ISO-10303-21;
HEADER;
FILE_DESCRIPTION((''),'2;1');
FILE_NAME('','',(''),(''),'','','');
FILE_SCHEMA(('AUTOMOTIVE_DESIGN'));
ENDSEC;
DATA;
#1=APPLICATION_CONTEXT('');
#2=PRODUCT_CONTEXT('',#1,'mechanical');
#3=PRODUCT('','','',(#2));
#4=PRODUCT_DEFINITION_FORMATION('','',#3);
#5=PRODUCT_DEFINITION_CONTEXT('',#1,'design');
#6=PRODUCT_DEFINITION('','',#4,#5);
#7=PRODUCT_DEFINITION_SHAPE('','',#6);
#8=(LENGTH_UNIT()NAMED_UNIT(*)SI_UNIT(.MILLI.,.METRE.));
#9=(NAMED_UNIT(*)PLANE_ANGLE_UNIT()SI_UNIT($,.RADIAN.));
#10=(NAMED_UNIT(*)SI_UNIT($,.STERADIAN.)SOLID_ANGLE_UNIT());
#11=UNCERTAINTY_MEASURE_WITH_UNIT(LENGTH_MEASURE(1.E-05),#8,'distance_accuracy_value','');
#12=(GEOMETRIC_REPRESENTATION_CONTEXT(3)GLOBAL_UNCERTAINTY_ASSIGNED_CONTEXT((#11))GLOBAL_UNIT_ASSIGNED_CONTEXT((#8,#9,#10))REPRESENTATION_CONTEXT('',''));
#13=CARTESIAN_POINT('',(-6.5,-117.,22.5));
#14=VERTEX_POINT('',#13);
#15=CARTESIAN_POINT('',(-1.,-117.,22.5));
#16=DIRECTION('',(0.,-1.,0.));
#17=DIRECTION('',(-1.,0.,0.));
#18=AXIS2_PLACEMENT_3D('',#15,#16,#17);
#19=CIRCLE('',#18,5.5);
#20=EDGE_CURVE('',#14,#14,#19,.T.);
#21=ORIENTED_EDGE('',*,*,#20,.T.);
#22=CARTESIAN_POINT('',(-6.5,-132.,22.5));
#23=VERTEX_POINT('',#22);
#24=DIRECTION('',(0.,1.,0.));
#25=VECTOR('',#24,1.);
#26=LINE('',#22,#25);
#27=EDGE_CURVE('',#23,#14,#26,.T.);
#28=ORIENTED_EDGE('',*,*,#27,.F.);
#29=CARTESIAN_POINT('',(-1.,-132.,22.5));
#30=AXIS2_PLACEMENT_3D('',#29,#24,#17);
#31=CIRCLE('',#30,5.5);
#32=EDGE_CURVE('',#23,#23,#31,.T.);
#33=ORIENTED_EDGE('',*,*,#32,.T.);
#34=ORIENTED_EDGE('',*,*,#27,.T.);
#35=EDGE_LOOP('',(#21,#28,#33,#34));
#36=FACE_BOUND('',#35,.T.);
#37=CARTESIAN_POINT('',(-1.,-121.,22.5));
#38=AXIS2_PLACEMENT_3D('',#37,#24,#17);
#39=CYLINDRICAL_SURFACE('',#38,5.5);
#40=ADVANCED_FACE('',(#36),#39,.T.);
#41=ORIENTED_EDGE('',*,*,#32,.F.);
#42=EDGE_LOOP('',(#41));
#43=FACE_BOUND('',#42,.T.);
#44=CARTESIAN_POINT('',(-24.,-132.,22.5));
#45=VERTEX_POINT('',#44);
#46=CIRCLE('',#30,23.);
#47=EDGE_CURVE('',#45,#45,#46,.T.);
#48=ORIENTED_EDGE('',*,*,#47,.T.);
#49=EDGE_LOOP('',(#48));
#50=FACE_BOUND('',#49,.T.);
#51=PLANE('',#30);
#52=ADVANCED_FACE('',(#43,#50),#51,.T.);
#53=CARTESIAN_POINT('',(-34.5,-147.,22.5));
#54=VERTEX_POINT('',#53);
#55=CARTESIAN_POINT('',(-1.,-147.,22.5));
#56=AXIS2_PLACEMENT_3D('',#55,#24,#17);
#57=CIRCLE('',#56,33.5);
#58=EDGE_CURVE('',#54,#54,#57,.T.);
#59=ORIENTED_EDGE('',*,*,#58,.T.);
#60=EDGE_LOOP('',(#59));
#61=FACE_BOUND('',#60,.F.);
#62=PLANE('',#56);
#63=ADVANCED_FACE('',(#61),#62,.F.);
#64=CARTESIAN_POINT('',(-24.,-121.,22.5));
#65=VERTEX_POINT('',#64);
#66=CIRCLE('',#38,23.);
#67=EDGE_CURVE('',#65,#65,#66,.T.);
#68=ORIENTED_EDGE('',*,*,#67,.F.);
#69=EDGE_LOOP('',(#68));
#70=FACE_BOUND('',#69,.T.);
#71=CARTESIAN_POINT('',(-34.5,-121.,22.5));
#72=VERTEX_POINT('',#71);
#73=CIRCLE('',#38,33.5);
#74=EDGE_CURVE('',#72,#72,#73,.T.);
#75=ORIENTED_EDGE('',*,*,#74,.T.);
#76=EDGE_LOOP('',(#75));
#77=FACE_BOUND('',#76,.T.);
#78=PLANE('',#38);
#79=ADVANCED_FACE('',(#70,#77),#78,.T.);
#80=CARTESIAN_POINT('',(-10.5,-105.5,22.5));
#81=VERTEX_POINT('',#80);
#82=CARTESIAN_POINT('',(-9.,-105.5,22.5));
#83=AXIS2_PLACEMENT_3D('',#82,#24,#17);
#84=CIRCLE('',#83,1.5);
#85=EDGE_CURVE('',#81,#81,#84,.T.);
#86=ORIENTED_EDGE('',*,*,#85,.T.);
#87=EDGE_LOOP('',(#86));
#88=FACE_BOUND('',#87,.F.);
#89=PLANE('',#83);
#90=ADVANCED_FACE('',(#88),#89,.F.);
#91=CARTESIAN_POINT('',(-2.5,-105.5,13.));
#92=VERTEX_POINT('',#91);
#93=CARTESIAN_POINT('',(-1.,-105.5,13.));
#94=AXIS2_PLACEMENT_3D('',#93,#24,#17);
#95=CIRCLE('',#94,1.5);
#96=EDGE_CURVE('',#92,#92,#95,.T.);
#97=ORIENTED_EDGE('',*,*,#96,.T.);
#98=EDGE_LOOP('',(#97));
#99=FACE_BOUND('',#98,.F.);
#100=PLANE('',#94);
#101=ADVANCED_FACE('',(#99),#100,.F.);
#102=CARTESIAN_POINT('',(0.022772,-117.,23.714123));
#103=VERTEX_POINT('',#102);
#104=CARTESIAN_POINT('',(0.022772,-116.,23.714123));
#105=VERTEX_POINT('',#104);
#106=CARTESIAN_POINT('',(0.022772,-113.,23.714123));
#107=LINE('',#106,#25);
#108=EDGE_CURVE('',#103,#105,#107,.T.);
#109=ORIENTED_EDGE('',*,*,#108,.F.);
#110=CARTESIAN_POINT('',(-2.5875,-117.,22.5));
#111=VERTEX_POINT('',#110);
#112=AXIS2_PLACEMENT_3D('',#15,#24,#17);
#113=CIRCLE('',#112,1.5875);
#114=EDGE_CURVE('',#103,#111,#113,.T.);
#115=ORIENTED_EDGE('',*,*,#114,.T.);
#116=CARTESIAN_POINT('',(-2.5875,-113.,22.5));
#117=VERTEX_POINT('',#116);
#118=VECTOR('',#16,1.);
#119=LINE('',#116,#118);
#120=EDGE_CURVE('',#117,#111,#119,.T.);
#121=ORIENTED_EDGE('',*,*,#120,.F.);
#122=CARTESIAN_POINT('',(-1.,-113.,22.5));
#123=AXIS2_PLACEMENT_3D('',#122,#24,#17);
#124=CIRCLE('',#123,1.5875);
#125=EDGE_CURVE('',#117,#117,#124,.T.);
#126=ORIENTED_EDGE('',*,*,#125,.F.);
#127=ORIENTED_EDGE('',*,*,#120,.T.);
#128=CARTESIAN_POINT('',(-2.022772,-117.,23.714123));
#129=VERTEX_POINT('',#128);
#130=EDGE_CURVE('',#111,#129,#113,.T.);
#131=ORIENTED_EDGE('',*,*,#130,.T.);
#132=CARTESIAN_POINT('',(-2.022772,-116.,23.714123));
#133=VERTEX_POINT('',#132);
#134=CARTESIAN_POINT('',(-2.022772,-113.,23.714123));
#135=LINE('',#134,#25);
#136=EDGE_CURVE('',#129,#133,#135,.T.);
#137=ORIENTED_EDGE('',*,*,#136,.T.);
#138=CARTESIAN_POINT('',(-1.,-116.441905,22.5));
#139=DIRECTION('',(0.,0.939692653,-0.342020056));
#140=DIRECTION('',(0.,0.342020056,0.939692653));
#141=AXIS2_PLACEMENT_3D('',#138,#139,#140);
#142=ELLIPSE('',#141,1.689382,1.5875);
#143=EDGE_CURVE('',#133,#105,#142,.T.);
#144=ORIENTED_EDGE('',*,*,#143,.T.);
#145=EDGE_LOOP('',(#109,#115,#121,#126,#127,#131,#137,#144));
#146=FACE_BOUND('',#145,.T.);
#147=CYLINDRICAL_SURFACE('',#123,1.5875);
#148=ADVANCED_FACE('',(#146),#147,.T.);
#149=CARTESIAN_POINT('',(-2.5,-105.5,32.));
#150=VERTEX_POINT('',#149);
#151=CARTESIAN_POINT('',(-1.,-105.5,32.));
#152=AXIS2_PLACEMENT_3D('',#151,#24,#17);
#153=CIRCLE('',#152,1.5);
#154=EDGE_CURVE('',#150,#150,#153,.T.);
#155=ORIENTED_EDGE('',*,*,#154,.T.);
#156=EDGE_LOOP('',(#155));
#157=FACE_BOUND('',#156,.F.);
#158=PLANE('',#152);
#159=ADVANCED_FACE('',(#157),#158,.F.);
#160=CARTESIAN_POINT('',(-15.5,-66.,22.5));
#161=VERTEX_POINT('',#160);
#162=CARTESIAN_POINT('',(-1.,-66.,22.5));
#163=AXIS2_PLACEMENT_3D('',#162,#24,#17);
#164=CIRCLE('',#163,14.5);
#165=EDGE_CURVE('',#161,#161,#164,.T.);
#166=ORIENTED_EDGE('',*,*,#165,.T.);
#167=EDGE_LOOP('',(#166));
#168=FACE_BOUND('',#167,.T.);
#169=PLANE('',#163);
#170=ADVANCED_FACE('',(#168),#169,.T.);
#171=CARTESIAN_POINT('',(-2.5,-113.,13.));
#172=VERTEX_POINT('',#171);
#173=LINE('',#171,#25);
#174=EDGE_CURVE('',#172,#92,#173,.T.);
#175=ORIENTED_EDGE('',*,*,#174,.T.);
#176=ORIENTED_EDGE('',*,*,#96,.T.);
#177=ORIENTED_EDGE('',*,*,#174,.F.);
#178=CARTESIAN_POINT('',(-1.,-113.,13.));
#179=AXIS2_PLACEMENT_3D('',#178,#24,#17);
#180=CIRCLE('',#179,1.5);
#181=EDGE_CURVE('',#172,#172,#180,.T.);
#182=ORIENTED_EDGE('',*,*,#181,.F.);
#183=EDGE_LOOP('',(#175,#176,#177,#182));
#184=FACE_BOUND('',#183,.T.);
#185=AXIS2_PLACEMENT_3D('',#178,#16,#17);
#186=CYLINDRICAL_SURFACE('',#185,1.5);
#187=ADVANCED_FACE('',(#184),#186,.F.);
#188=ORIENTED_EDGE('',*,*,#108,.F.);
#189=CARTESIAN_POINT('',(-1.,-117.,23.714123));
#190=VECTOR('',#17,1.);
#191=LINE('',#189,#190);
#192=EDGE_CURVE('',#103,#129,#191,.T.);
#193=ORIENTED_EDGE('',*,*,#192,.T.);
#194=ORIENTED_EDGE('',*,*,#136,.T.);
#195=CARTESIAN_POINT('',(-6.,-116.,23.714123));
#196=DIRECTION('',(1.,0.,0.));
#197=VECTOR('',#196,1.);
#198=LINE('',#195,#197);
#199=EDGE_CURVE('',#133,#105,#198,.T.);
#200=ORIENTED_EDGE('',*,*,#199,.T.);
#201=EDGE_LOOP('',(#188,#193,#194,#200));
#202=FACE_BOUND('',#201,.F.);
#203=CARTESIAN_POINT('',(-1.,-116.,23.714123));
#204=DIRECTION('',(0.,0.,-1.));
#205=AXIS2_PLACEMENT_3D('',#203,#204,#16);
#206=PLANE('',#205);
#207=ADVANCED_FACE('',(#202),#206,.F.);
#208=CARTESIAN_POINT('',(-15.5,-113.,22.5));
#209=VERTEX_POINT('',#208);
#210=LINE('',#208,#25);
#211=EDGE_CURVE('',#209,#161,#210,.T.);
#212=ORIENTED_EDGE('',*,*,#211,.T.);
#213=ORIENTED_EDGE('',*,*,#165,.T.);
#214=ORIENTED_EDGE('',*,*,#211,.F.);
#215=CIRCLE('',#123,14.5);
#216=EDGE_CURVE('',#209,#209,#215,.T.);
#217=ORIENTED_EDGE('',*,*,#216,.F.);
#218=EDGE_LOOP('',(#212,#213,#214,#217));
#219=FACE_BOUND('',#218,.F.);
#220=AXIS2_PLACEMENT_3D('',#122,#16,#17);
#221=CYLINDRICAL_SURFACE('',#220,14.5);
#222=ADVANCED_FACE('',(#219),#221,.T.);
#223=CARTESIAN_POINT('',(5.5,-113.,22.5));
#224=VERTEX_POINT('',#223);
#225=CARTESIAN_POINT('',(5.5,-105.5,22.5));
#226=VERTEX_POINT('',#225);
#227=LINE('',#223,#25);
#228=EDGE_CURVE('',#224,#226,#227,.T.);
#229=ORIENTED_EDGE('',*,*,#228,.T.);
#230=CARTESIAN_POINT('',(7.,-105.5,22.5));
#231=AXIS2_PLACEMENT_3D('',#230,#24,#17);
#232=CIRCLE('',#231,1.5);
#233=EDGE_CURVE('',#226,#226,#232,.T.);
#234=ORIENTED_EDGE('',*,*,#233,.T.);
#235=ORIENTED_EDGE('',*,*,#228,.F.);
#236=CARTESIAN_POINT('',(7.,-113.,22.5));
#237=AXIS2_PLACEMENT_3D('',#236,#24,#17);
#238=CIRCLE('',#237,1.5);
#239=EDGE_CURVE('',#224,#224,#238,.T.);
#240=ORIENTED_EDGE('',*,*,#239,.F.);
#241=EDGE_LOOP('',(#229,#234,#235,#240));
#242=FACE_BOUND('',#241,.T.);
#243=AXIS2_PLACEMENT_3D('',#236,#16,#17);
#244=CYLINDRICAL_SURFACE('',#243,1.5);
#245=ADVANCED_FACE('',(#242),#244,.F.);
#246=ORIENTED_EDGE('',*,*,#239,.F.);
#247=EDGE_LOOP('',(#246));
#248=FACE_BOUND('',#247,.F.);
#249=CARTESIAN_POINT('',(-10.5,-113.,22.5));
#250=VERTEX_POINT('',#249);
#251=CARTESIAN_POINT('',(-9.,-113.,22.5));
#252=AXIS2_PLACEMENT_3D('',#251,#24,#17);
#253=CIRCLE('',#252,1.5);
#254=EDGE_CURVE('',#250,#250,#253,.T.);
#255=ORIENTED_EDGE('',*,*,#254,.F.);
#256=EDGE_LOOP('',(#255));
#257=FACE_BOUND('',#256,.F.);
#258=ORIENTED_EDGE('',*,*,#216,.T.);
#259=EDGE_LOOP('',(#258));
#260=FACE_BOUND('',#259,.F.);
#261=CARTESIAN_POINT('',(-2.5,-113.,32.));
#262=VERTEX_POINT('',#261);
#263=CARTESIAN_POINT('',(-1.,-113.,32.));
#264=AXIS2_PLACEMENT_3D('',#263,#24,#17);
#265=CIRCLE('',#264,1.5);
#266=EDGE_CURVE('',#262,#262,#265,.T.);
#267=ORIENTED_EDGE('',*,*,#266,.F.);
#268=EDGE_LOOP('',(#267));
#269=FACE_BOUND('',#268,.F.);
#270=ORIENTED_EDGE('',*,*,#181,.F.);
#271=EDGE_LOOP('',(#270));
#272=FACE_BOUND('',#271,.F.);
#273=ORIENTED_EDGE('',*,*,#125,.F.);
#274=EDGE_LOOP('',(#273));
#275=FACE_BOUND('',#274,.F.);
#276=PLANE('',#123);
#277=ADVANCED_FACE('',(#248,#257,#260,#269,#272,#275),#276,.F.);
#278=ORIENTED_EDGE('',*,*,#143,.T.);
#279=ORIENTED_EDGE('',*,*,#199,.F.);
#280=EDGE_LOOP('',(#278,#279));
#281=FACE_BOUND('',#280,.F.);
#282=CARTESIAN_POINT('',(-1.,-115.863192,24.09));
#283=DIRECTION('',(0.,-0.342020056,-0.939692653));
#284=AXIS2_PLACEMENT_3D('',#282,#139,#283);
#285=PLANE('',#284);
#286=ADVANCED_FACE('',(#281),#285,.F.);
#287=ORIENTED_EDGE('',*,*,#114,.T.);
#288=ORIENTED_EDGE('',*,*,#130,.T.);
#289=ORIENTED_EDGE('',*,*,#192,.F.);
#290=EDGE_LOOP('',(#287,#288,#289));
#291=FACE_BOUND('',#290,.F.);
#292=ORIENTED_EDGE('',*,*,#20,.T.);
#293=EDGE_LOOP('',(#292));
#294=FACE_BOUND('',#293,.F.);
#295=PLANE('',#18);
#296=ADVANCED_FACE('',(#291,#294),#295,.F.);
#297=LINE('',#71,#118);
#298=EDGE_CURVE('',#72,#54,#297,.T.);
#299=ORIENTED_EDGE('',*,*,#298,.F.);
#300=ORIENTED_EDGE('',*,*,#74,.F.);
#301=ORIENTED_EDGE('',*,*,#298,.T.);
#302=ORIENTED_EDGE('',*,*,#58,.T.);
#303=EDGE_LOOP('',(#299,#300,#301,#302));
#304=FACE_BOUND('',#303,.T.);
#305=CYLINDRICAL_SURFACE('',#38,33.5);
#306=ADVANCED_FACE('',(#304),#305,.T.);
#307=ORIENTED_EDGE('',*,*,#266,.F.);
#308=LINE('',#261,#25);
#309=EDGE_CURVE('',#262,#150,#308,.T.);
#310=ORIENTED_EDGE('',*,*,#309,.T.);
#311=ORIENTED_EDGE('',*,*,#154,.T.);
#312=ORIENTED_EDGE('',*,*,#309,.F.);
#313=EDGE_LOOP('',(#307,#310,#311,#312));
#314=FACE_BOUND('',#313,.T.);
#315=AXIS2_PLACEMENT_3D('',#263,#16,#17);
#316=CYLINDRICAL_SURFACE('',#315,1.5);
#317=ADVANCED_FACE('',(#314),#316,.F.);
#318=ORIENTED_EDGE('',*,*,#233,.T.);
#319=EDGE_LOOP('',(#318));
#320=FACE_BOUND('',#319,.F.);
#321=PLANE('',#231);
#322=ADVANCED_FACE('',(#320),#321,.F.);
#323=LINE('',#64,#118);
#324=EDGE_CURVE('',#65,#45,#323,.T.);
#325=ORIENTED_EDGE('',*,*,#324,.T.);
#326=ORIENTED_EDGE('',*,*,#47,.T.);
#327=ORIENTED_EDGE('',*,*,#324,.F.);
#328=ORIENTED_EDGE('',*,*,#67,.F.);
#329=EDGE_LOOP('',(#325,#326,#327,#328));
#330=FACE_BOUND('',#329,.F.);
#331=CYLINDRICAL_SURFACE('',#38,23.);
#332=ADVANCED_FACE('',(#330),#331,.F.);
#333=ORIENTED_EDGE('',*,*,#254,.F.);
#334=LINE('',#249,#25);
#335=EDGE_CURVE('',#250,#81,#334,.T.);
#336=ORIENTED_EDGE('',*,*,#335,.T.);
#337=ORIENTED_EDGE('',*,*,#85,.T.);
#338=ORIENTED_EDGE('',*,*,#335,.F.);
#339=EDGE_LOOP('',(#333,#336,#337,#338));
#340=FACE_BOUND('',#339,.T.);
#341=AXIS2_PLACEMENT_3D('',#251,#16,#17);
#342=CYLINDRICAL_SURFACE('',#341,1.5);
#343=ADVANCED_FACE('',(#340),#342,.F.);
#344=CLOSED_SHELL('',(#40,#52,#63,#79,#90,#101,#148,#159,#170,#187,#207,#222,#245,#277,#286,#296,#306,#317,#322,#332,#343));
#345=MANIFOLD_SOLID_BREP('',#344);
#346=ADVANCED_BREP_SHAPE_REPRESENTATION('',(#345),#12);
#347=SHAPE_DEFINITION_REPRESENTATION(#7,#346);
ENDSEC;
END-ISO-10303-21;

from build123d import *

# Parameters (mm, degrees)
SKETCH030_R             = 14.5
PAD018_DEPTH            = 47
SKETCH031_R             = 1.5875
PAD019_DEPTH            = 15
POCKET012_DEPTH         = 5
SKETCH033_R             = 5.5
PAD020_DEPTH            = 11
SKETCH034_R             = 33.5
PAD021_DEPTH            = 26
SKETCH035_R             = 1.5
POCKET013_DEPTH         = 7.5
SKETCH036_R             = 23
SKETCH036_R_2           = 5.5
POCKET014_DEPTH         = 11
BODY010_PLACEMENT_ANGLE = 180


with BuildPart() as part:
    # Sketch030 → Pad018 (new body)
    with BuildSketch(Plane.XZ):
        Circle(SKETCH030_R)
    extrude(amount=PAD018_DEPTH)

    # Sketch031 → Pad019 (join)
    with BuildSketch(Plane.XZ):
        Circle(SKETCH031_R)
    extrude(amount=-PAD019_DEPTH)

    # Sketch032 → Pocket012 (cut, symmetric)
    with BuildSketch(Plane.YZ):
        Polygon((3, 1.214123), (15, 1.214123), (15, 1.59), (2.863192, 1.59), align=None)
    extrude(amount=POCKET012_DEPTH, both=True, mode=Mode.SUBTRACT)

    # Sketch033 (on Face5 of Pocket012) → Pad020 (join)
    with BuildSketch(Plane(origin=(0, 15, 0), x_dir=(1, 0, 0), z_dir=(0, 1, 0))):
        Circle(SKETCH033_R)
    extrude(amount=-PAD020_DEPTH)

    # Sketch034 (on DatumPlane) → Pad021 (join)
    with BuildSketch(Plane.XZ.offset(-8)):
        Circle(SKETCH034_R)
    extrude(amount=-PAD021_DEPTH)

    # Sketch035 → Pocket013 (cut)
    with BuildSketch(Plane.XZ):
        with Locations((0, -9.5)):
            Circle(SKETCH035_R)
        with Locations((8, 0)):
            Circle(SKETCH035_R)
        with Locations((0, 9.5)):
            Circle(SKETCH035_R)
        with Locations((-8, 0)):
            Circle(SKETCH035_R)
    extrude(amount=POCKET013_DEPTH, mode=Mode.SUBTRACT)

    # Sketch036 (on DatumPlane) → Pocket014 (cut)
    with BuildSketch(Plane.XZ.offset(-8)):
        Circle(SKETCH036_R)
        Circle(SKETCH036_R_2, mode=Mode.SUBTRACT)
    extrude(amount=-POCKET014_DEPTH, mode=Mode.SUBTRACT)


with BuildPart() as part_1:
    # Body010 placement: moved
    add(part.part.moved(Location((-1, -113, 22.5))).rotate(Axis((-1, -113, 22.5), (0, 0, 1)), BODY010_PLACEMENT_ANGLE))


solid = part_1.part
